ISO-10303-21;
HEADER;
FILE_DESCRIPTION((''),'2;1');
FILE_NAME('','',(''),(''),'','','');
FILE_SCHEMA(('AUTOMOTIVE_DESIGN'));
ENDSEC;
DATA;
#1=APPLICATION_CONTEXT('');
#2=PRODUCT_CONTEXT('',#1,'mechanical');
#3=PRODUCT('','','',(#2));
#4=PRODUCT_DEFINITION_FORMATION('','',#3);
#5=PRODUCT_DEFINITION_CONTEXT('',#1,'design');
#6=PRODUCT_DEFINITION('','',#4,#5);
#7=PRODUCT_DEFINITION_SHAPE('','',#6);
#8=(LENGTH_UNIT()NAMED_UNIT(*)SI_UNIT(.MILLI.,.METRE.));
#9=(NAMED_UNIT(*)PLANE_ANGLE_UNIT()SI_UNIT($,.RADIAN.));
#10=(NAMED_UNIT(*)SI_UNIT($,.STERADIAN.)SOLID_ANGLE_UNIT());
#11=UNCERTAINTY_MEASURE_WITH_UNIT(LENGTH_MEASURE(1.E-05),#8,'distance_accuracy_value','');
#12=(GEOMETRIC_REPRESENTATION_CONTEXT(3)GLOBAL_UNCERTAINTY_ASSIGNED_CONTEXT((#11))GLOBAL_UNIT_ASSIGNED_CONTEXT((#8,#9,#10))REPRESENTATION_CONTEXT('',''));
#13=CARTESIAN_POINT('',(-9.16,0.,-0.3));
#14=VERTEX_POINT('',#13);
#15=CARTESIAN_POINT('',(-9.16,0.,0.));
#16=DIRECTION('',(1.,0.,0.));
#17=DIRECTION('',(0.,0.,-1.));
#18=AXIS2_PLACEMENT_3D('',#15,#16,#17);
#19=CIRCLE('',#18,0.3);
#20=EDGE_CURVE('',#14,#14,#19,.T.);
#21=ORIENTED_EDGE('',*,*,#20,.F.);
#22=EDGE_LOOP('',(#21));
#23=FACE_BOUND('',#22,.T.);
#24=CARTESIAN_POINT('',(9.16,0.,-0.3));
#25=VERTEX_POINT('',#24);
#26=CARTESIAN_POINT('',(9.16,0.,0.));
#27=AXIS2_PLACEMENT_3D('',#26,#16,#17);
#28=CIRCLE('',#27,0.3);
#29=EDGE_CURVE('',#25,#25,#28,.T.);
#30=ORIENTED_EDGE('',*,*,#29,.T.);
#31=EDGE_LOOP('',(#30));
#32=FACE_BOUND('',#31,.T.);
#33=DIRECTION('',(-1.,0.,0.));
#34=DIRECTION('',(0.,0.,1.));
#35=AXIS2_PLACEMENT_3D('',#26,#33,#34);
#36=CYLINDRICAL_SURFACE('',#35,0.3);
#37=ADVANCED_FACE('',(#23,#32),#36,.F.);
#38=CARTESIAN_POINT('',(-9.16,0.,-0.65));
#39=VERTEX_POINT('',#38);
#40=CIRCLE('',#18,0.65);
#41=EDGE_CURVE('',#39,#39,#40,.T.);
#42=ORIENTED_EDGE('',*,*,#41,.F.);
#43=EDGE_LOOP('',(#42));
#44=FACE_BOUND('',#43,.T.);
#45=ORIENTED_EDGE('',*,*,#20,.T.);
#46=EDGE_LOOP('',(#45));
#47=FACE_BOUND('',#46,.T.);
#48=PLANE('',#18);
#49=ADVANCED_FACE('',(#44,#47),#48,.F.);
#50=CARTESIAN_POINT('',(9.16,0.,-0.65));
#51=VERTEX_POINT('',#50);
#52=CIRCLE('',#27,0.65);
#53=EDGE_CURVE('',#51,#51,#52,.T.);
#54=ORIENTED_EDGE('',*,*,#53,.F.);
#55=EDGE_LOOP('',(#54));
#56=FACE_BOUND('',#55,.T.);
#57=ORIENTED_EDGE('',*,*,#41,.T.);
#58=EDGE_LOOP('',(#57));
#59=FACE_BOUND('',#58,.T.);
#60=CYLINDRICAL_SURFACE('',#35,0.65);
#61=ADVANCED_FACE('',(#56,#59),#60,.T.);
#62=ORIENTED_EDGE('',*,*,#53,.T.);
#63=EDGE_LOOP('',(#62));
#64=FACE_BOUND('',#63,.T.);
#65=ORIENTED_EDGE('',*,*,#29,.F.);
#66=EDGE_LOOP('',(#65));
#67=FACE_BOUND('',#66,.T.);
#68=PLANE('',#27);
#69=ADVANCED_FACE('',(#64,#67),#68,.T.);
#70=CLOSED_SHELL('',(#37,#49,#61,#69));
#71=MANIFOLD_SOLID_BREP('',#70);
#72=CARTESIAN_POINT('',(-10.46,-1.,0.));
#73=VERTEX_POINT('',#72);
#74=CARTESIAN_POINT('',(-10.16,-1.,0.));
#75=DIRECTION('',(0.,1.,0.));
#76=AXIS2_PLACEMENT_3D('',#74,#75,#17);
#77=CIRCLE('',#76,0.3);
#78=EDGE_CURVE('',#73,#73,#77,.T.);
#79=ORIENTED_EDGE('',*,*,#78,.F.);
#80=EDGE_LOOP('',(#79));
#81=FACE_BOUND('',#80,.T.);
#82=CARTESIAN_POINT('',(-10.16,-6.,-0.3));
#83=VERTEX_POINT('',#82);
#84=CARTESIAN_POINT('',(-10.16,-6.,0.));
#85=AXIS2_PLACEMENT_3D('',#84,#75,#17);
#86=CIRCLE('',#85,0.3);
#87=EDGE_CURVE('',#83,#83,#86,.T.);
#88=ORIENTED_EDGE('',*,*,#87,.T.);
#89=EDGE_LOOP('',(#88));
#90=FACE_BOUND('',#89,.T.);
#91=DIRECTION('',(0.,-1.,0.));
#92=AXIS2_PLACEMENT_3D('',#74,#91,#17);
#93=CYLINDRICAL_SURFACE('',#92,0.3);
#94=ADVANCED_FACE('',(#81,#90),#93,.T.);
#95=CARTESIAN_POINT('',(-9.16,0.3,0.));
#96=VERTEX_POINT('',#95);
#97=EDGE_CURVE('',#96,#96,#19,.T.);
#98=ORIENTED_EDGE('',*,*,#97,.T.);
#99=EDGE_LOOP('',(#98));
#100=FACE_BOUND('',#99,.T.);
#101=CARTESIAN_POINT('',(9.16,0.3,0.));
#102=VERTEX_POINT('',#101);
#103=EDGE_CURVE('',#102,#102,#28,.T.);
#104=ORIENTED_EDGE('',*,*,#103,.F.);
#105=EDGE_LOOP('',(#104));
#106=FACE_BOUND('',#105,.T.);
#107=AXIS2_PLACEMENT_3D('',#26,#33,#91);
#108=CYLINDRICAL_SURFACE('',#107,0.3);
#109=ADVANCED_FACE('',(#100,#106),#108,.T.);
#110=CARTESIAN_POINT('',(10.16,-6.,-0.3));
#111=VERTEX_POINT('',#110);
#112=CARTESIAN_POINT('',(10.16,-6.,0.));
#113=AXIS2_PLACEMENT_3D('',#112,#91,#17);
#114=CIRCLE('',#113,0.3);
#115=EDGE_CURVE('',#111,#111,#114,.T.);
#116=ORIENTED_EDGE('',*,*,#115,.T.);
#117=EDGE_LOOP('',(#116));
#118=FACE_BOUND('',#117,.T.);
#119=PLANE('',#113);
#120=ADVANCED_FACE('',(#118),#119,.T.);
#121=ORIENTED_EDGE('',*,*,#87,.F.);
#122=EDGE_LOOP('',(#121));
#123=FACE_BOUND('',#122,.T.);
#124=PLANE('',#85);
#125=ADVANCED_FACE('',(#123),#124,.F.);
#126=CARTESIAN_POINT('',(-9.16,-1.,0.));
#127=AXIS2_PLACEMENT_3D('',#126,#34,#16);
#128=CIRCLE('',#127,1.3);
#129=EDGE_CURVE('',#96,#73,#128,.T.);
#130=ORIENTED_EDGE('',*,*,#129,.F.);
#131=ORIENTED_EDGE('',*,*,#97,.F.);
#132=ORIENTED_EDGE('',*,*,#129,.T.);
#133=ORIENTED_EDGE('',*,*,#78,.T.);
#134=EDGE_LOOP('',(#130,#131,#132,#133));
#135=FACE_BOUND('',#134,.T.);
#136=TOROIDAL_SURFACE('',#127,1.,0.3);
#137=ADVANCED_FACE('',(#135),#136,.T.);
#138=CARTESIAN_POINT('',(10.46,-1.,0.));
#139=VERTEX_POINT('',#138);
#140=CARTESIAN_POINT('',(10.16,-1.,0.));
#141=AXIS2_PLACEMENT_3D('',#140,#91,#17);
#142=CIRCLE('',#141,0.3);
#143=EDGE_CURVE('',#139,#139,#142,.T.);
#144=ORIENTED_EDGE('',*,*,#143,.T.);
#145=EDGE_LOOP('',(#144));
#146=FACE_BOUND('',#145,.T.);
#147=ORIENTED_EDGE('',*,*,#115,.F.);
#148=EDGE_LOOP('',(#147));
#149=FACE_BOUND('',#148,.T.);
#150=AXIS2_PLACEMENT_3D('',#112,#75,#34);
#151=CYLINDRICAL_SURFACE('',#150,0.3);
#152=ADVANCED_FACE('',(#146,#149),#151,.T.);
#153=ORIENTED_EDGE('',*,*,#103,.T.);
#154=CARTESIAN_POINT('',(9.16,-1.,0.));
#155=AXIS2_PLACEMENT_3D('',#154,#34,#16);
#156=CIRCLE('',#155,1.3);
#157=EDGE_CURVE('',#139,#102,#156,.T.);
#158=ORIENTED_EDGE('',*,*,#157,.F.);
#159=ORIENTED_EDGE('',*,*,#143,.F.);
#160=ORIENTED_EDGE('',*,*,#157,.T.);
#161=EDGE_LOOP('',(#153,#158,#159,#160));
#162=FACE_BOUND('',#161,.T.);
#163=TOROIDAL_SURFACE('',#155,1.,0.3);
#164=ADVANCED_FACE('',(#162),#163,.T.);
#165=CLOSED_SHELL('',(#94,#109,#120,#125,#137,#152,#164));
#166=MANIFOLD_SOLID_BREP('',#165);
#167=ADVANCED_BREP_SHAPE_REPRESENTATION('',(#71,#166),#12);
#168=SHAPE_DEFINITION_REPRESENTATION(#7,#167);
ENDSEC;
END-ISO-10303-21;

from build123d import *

# Parameters (mm, degrees)
SKETCH2_R                = 0.3
SKETCH3_R                = 0.65
SKETCH3_R_2              = 0.3
BOSS_EXTRUDE1_DEPTH      = 9.16
BOSS_EXTRUDE1_DEPTH_BACK = 9.16


with BuildPart() as part:
    # Sweep1: sweep along a path in Sketch1
    with BuildLine(Plane.XY) as sweep1_path:
        Line((-10.16, -6), (-10.16, -1))
        ThreePointArc((-10.16, -1), (-9.867106781, -0.292893219), (-9.16, 0))
        Line((-9.16, 0), (9.16, 0))
        ThreePointArc((9.16, 0), (9.867106781, -0.292893219), (10.16, -1))
        Line((10.16, -1), (10.16, -6))
    # Sketch2 → Sweep1 (sweep)
    with BuildSketch(Plane(origin=(0, 0, 0), x_dir=(0, 0, -1), z_dir=(1, 0, 0))):
        Circle(SKETCH2_R)
    sweep(path=sweep1_path.line)


with BuildPart() as body_2:
    # Sketch3 → Boss-Extrude1 (new body, two sides)
    with BuildSketch(Plane(origin=(0, 0, 0), x_dir=(0, 0, -1), z_dir=(1, 0, 0))) as boss_extrude1_sk:
        Circle(SKETCH3_R)
        Circle(SKETCH3_R_2, mode=Mode.SUBTRACT)
    extrude(amount=BOSS_EXTRUDE1_DEPTH)
    extrude(boss_extrude1_sk.sketch, amount=-BOSS_EXTRUDE1_DEPTH_BACK)


solid = Compound([part.part, body_2.part])
